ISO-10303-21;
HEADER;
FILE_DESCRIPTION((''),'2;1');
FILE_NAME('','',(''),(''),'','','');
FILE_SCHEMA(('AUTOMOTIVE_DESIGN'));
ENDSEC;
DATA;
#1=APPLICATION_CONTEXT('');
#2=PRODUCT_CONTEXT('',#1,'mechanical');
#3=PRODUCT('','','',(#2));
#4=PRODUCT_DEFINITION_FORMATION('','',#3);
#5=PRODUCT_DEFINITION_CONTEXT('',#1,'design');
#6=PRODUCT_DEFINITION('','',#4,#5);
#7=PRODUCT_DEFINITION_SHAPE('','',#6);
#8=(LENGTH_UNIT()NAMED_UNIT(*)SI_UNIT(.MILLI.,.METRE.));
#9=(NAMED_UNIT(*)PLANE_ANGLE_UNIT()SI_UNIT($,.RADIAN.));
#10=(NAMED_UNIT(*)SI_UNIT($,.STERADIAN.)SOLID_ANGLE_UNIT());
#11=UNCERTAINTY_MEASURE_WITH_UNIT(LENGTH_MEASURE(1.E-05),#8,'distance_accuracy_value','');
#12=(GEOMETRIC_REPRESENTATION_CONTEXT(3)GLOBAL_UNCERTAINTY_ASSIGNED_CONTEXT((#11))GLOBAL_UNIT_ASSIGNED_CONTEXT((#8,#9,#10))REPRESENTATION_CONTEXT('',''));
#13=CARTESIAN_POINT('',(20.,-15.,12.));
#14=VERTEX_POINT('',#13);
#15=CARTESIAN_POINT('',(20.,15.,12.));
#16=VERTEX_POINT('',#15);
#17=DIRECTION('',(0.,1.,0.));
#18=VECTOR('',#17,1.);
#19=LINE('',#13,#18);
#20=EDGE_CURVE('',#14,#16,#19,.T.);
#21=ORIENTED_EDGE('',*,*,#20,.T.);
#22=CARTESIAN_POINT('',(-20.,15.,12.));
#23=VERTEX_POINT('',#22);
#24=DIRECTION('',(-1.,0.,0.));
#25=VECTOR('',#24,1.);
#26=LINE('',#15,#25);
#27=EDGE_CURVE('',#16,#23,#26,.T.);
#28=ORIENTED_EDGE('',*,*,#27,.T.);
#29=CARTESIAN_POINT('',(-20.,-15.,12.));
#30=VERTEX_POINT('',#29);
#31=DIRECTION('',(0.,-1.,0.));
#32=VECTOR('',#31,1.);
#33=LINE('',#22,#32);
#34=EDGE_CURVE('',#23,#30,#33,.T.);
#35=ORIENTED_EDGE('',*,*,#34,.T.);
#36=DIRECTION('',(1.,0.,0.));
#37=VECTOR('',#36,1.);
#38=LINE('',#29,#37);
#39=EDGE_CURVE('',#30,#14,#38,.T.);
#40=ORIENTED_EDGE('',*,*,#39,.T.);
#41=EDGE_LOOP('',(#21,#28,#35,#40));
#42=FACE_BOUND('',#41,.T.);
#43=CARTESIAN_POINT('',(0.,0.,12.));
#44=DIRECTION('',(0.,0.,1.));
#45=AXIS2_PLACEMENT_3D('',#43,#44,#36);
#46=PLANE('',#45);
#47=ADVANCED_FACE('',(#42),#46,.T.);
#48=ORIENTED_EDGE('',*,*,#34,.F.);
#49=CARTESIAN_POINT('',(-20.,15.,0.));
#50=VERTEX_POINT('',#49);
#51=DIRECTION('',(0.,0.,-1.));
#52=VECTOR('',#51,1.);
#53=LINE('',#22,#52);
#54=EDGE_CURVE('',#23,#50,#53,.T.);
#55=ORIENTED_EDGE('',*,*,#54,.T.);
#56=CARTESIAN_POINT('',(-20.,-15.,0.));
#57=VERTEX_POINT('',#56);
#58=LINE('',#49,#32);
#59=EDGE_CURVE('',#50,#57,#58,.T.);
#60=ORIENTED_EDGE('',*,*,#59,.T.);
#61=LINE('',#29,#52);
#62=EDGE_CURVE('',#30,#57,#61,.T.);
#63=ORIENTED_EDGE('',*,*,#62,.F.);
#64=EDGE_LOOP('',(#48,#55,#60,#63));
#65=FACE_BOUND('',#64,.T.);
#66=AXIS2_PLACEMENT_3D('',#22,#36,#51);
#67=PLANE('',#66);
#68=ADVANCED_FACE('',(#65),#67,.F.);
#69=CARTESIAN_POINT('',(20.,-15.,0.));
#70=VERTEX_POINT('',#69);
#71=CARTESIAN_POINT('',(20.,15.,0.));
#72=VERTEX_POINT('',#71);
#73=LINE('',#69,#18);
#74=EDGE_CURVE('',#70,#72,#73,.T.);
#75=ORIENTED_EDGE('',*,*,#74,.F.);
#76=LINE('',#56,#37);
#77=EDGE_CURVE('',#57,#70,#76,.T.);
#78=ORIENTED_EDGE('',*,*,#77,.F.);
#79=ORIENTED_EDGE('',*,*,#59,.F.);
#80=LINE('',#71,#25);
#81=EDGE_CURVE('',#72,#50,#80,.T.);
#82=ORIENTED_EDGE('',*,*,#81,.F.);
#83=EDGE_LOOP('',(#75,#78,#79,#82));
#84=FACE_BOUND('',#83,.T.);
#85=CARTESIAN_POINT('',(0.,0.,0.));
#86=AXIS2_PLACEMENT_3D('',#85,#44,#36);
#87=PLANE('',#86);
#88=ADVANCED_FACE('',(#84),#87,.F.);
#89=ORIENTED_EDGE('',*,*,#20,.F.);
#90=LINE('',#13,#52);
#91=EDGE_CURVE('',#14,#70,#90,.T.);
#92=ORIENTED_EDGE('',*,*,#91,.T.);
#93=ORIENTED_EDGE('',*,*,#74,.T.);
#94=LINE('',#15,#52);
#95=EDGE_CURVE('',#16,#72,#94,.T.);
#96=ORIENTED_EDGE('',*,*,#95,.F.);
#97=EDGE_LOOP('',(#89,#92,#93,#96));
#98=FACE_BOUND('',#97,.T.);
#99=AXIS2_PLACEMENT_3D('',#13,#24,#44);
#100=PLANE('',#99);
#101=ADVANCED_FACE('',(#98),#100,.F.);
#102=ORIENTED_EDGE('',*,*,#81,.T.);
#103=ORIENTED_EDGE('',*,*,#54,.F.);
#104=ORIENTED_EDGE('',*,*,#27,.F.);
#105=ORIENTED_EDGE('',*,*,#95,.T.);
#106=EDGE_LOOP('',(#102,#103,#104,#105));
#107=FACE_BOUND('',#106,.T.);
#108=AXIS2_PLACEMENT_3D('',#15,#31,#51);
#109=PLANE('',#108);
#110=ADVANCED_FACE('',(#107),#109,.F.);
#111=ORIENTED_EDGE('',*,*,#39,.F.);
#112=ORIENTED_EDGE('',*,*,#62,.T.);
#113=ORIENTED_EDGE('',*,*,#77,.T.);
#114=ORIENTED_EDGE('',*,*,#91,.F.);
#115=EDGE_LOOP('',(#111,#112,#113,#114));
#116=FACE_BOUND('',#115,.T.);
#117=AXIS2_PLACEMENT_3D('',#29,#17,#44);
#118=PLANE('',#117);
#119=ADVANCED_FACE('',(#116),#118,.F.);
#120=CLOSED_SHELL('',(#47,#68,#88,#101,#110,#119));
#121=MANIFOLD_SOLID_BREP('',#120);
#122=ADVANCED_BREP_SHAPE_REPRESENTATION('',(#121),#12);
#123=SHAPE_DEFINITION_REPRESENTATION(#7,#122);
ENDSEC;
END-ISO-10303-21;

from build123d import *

# Parameters (mm, degrees)
SKETCH_1_W      = 40
SKETCH_1_H      = 30
EXTRUDE_1_DEPTH = 12


with BuildPart() as part:
    # 草图1 → 凸台-拉伸1 (new body)
    with BuildSketch(Plane.XY):
        Rectangle(SKETCH_1_W, SKETCH_1_H)
    extrude(amount=EXTRUDE_1_DEPTH)


solid = part.part
